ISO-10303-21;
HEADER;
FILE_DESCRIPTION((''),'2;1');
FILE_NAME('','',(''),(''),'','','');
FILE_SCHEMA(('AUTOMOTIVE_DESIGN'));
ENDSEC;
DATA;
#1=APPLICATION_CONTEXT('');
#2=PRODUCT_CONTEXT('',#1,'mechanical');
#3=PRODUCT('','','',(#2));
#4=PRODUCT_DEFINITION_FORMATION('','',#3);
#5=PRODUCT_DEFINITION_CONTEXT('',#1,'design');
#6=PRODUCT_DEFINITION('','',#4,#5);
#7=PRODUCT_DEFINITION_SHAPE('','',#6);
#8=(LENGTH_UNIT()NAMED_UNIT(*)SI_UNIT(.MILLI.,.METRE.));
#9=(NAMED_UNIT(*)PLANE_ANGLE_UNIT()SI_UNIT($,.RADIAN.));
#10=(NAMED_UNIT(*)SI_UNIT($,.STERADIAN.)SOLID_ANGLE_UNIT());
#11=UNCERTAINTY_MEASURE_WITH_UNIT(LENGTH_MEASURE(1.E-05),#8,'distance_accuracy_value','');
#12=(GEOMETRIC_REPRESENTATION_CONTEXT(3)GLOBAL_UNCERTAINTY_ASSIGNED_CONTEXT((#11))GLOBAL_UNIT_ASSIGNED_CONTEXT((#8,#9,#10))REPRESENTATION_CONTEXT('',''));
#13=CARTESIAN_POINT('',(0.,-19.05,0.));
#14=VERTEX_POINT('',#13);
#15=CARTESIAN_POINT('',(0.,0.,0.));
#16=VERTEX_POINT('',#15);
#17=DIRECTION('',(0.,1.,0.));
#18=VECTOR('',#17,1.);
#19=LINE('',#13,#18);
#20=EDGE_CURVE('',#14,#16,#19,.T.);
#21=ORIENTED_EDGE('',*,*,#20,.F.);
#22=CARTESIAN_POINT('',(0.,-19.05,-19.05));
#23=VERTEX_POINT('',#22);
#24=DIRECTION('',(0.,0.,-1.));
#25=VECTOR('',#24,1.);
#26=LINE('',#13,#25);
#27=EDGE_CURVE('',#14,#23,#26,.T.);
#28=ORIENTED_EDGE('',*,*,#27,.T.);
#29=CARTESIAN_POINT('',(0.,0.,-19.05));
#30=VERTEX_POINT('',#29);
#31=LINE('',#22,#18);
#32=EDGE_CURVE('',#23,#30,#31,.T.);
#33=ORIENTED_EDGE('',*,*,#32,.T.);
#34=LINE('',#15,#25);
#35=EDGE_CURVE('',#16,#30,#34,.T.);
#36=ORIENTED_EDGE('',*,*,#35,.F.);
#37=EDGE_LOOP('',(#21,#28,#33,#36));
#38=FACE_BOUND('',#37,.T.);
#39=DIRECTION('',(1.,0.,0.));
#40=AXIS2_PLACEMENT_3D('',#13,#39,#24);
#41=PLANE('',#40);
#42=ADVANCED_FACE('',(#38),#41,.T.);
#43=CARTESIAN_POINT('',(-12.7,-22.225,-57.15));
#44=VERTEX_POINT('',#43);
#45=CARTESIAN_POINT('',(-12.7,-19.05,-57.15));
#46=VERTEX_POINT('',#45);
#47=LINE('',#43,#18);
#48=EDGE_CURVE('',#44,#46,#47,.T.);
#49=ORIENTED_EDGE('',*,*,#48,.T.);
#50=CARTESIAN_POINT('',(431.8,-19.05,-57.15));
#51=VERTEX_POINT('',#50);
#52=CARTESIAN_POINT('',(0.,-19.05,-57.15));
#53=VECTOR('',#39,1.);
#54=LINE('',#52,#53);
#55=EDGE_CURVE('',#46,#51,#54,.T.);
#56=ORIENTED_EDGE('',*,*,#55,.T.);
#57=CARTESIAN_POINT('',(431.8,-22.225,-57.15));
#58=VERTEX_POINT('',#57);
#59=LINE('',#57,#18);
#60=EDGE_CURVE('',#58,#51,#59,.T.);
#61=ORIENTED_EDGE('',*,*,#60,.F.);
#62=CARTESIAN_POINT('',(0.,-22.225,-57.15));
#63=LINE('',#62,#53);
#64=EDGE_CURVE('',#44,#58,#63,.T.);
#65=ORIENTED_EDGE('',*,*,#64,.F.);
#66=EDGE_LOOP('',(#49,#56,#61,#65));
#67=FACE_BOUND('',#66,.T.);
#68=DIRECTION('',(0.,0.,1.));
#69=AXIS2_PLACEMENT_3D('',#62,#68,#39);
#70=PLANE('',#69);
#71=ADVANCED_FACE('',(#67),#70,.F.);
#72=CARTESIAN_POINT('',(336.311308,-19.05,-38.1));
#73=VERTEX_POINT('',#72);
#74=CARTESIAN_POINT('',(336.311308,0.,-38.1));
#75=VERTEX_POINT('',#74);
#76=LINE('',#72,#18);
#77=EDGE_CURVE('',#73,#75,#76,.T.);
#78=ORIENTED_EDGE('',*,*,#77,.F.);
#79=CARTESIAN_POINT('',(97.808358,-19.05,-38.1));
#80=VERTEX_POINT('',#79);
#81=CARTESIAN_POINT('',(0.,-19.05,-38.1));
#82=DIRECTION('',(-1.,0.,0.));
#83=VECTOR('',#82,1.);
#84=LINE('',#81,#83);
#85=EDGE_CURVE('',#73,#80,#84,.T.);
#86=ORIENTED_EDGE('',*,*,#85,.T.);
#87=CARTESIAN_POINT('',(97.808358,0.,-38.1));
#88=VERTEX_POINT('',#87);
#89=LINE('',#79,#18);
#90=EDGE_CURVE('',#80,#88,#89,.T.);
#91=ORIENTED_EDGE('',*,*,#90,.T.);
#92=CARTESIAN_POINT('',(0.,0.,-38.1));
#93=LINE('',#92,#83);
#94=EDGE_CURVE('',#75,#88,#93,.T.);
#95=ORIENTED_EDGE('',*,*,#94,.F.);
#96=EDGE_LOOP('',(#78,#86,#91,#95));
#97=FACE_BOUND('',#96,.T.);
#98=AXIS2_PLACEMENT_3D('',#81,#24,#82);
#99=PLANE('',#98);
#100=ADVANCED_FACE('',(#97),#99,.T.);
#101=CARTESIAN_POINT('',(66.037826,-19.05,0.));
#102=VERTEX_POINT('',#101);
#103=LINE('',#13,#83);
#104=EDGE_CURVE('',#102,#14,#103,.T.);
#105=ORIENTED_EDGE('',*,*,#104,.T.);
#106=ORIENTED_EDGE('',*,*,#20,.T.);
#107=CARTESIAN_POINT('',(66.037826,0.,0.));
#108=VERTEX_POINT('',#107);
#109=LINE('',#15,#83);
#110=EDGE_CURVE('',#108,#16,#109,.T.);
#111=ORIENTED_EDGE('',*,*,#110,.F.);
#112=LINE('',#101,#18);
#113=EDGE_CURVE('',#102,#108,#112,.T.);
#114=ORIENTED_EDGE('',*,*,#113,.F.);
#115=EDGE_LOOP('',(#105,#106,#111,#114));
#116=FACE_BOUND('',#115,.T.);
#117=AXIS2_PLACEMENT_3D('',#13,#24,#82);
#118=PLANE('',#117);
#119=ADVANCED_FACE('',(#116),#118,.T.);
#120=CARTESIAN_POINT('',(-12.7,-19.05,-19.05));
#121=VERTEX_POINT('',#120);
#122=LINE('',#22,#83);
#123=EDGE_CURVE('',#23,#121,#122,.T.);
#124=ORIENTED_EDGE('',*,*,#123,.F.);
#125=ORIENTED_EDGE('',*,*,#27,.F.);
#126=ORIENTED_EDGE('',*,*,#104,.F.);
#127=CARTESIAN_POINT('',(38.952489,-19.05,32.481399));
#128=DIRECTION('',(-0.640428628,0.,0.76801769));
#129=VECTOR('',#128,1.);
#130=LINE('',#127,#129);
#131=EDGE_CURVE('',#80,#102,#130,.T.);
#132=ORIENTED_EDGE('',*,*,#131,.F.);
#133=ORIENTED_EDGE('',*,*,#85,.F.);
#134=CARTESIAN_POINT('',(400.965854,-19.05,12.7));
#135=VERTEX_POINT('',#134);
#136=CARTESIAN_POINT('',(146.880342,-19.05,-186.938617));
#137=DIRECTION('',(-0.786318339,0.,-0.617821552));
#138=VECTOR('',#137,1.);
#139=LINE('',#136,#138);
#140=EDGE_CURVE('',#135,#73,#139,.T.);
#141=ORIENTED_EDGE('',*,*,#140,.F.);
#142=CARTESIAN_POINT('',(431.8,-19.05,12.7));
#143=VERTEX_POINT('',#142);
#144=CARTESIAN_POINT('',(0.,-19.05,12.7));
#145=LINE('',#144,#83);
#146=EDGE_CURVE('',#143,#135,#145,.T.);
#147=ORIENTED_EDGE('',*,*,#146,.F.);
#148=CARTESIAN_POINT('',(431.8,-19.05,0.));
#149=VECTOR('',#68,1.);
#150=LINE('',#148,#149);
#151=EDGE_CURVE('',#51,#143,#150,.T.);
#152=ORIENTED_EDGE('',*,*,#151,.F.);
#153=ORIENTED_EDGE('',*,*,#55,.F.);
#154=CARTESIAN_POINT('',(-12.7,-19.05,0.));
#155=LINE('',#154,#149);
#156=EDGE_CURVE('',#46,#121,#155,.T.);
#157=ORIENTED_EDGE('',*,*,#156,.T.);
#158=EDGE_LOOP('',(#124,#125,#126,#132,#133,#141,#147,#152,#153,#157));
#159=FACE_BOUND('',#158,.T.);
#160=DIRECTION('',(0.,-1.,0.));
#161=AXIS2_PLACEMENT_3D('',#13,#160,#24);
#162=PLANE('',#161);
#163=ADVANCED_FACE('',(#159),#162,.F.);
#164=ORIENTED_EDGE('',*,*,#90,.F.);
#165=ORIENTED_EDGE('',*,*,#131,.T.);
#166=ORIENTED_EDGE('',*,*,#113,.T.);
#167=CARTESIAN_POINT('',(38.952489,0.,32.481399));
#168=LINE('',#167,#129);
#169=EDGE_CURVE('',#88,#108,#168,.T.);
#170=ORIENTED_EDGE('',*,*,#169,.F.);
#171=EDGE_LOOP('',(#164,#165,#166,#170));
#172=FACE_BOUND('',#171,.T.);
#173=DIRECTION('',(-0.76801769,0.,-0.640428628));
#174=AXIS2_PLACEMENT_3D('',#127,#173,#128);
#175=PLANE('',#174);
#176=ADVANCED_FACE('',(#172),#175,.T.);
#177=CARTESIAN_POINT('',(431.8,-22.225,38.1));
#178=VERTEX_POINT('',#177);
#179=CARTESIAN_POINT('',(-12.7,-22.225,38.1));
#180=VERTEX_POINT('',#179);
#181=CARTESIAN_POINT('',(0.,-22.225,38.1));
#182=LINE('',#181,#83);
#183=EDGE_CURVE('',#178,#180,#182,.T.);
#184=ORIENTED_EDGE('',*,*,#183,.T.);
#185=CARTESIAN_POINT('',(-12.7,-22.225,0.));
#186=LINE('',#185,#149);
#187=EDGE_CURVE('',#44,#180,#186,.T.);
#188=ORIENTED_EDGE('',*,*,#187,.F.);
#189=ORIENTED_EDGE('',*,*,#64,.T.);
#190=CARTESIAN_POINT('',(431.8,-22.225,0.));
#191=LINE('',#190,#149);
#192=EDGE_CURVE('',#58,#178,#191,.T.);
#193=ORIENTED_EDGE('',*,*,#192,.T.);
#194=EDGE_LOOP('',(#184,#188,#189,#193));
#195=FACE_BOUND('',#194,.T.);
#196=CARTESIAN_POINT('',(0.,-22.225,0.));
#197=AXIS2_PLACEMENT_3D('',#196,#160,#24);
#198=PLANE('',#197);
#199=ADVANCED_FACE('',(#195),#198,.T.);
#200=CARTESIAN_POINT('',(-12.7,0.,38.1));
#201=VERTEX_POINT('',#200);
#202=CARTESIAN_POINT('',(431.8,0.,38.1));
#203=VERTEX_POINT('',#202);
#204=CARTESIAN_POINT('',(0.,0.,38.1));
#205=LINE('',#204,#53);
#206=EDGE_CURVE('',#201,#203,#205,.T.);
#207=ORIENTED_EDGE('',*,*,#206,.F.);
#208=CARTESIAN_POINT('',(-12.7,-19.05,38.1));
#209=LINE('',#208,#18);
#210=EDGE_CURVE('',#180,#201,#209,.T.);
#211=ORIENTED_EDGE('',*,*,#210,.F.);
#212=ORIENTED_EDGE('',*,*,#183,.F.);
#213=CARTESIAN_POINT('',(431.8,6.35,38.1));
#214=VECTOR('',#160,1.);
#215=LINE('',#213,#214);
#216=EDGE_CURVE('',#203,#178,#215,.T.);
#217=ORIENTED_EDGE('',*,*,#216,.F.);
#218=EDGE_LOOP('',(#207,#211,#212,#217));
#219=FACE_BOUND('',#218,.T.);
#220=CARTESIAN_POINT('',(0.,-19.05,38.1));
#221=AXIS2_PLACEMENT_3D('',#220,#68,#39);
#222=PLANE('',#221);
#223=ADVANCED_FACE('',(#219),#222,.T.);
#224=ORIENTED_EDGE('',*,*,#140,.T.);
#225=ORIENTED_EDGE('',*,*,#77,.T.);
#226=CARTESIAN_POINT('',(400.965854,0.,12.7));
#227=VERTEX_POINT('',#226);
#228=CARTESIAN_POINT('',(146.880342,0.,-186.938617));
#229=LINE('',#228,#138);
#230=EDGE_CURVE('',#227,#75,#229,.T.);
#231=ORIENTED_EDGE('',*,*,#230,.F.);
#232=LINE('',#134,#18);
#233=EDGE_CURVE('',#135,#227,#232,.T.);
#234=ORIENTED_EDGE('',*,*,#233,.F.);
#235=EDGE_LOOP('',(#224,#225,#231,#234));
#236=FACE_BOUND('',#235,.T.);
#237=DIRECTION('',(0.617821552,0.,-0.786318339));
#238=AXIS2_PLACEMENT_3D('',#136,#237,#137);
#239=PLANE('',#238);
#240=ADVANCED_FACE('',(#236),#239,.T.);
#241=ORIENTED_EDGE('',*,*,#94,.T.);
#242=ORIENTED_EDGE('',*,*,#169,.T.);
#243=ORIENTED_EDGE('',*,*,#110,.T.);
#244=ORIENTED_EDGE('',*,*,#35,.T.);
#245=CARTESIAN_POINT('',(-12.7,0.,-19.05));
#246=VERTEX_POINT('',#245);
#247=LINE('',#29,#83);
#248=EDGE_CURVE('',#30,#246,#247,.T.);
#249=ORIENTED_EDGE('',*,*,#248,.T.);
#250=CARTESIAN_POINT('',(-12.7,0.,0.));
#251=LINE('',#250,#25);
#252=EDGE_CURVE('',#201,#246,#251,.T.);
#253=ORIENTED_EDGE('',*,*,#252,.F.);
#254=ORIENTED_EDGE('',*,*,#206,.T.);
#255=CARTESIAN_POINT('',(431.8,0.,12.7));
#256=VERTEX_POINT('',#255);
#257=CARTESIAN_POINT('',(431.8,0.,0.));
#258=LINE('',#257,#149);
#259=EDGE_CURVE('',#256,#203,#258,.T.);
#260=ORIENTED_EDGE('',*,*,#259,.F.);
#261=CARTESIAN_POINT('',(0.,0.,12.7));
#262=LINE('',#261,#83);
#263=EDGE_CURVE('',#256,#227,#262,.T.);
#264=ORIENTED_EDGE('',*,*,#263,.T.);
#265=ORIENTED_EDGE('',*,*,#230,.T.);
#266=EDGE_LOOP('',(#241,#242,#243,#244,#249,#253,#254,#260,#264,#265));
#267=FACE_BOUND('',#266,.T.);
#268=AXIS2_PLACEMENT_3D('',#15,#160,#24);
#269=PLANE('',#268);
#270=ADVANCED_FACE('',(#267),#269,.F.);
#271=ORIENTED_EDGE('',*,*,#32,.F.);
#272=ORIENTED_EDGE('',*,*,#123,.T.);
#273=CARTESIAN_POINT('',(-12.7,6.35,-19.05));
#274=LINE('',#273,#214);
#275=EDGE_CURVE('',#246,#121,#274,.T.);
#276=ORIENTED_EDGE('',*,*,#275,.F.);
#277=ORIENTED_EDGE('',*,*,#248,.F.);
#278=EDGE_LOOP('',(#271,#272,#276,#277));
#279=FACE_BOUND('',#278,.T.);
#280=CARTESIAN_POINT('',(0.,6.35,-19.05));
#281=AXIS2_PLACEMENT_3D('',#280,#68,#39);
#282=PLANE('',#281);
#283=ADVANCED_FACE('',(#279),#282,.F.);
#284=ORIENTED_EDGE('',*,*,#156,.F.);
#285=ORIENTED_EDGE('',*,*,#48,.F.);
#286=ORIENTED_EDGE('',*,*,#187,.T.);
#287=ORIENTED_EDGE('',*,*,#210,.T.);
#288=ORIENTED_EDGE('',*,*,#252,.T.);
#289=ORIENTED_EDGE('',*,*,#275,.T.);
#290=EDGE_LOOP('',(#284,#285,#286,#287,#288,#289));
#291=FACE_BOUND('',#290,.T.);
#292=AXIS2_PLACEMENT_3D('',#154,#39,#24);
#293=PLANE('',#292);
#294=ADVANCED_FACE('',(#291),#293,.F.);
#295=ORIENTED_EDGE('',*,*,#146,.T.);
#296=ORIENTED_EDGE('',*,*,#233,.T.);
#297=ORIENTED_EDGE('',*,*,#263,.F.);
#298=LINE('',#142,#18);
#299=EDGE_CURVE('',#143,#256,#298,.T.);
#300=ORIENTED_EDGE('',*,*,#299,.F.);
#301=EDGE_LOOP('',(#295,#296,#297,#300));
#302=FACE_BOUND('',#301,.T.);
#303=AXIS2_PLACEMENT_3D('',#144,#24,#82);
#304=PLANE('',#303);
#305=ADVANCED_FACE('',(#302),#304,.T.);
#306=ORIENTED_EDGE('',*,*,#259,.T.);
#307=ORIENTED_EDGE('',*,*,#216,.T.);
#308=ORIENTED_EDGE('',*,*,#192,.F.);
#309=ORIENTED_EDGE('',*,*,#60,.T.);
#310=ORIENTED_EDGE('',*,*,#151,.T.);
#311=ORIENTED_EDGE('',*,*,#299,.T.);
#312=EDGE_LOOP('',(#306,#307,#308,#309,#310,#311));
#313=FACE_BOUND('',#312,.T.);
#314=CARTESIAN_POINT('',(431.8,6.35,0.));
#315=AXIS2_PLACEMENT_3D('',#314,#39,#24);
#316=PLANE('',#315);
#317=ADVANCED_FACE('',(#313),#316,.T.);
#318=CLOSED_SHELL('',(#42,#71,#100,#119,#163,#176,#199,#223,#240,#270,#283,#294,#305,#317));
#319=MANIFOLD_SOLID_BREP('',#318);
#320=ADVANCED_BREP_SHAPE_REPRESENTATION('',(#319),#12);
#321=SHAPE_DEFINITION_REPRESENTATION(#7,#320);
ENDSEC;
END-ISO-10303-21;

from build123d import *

# Parameters (mm, degrees)
BOSS_EXTRUDE1_DEPTH = 19.05
SKETCH2_R           = 3.96875
CUT_EXTRUDE1_DEPTH  = 19.05
SKETCH3_W           = 457.2
SKETCH3_H           = 152.4
BOSS_EXTRUDE3_DEPTH = 19.05
SKETCH4_W           = 457.2
SKETCH4_H           = 152.4
CUT_EXTRUDE2_DEPTH  = 25.4
CUT_EXTRUDE3_DEPTH  = 25.4
BOSS_EXTRUDE4_DEPTH = 3.175


with BuildPart() as part:
    # Sketch1 → Boss-Extrude1 (new body)
    with BuildSketch(Plane(origin=(0, 0, 0), x_dir=(1, 0, 0), z_dir=(0, 1, 0))):
        Polygon((57.15, 19.05), (0, 19.05), (0, 0), (66.037825848, 0), (97.808358016, 38.1), (336.311308439, 38.1), (400.965853894, -12.7), (431.8, -12.7), (342.9, 57.15), (88.9, 57.15), align=None)
    extrude(amount=BOSS_EXTRUDE1_DEPTH)

    # Sketch2 → Cut-Extrude1 (cut)
    with BuildSketch(Plane.XY):
        with Locations((8.89, 9.525)):
            Circle(SKETCH2_R)
        with Locations((56.515, 9.525)):
            Circle(SKETCH2_R)
    extrude(amount=-CUT_EXTRUDE1_DEPTH, mode=Mode.SUBTRACT)

    # Sketch4 → Cut-Extrude2 (cut)
    with BuildSketch(Plane(origin=(0, 0, 0), x_dir=(1, 0, 0), z_dir=(0, 1, 0))):
        with Locations((215.9, 38.1)):
            Rectangle(SKETCH4_W, SKETCH4_H)
    extrude(amount=CUT_EXTRUDE2_DEPTH, mode=Mode.SUBTRACT)


with BuildPart() as body_2:
    # Sketch3 → Boss-Extrude3 (new body)
    with BuildSketch(Plane.XZ):
        with Locations((215.9, -38.1)):
            Rectangle(SKETCH3_W, SKETCH3_H)
        Polygon((400.965853894, 12.7), (431.8, 12.7), (342.9, -57.15), (88.9, -57.15), (57.15, -19.05), (0, -19.05), (0, 0), (66.037825848, 0), (97.808358016, -38.1), (336.311308439, -38.1), align=None, mode=Mode.SUBTRACT)
    extrude(amount=BOSS_EXTRUDE3_DEPTH)

    # Sketch5 → Cut-Extrude3 (cut)
    with BuildSketch(Plane.XZ.offset(19.05)):
        Polygon((57.15, -19.05), (0, -19.05), (-12.7, -19.05), (-12.7, -114.3), (444.5, -114.3), (444.5, 38.1), (431.8, 38.1), (431.8, 12.7), (342.9, -57.15), (88.9, -57.15), align=None)
    extrude(amount=-CUT_EXTRUDE3_DEPTH, mode=Mode.SUBTRACT)

    # Sketch6 → Boss-Extrude4 (add)
    with BuildSketch(Plane.XZ.offset(19.05)):
        Polygon((400.965853894, 12.7), (336.311308439, -38.1), (336.311308439, -57.15), (431.8, -57.15), (431.8, 12.7), align=None)
        Polygon((336.311308439, -57.15), (336.311308439, -38.1), (97.808358016, -38.1), (66.037825848, 0), (0, 0), (0, -19.05), (-12.7, -19.05), (-12.7, -57.15), align=None)
        Polygon((97.808358016, -38.1), (336.311308439, -38.1), (336.311308439, 38.1), (-12.7, 38.1), (-12.7, -19.05), (0, -19.05), (0, 0), (66.037825848, 0), align=None)
        Polygon((336.311308439, 38.1), (336.311308439, -38.1), (400.965853894, 12.7), (431.8, 12.7), (431.8, 38.1), align=None)
    extrude(amount=BOSS_EXTRUDE4_DEPTH)


solid = body_2.part
